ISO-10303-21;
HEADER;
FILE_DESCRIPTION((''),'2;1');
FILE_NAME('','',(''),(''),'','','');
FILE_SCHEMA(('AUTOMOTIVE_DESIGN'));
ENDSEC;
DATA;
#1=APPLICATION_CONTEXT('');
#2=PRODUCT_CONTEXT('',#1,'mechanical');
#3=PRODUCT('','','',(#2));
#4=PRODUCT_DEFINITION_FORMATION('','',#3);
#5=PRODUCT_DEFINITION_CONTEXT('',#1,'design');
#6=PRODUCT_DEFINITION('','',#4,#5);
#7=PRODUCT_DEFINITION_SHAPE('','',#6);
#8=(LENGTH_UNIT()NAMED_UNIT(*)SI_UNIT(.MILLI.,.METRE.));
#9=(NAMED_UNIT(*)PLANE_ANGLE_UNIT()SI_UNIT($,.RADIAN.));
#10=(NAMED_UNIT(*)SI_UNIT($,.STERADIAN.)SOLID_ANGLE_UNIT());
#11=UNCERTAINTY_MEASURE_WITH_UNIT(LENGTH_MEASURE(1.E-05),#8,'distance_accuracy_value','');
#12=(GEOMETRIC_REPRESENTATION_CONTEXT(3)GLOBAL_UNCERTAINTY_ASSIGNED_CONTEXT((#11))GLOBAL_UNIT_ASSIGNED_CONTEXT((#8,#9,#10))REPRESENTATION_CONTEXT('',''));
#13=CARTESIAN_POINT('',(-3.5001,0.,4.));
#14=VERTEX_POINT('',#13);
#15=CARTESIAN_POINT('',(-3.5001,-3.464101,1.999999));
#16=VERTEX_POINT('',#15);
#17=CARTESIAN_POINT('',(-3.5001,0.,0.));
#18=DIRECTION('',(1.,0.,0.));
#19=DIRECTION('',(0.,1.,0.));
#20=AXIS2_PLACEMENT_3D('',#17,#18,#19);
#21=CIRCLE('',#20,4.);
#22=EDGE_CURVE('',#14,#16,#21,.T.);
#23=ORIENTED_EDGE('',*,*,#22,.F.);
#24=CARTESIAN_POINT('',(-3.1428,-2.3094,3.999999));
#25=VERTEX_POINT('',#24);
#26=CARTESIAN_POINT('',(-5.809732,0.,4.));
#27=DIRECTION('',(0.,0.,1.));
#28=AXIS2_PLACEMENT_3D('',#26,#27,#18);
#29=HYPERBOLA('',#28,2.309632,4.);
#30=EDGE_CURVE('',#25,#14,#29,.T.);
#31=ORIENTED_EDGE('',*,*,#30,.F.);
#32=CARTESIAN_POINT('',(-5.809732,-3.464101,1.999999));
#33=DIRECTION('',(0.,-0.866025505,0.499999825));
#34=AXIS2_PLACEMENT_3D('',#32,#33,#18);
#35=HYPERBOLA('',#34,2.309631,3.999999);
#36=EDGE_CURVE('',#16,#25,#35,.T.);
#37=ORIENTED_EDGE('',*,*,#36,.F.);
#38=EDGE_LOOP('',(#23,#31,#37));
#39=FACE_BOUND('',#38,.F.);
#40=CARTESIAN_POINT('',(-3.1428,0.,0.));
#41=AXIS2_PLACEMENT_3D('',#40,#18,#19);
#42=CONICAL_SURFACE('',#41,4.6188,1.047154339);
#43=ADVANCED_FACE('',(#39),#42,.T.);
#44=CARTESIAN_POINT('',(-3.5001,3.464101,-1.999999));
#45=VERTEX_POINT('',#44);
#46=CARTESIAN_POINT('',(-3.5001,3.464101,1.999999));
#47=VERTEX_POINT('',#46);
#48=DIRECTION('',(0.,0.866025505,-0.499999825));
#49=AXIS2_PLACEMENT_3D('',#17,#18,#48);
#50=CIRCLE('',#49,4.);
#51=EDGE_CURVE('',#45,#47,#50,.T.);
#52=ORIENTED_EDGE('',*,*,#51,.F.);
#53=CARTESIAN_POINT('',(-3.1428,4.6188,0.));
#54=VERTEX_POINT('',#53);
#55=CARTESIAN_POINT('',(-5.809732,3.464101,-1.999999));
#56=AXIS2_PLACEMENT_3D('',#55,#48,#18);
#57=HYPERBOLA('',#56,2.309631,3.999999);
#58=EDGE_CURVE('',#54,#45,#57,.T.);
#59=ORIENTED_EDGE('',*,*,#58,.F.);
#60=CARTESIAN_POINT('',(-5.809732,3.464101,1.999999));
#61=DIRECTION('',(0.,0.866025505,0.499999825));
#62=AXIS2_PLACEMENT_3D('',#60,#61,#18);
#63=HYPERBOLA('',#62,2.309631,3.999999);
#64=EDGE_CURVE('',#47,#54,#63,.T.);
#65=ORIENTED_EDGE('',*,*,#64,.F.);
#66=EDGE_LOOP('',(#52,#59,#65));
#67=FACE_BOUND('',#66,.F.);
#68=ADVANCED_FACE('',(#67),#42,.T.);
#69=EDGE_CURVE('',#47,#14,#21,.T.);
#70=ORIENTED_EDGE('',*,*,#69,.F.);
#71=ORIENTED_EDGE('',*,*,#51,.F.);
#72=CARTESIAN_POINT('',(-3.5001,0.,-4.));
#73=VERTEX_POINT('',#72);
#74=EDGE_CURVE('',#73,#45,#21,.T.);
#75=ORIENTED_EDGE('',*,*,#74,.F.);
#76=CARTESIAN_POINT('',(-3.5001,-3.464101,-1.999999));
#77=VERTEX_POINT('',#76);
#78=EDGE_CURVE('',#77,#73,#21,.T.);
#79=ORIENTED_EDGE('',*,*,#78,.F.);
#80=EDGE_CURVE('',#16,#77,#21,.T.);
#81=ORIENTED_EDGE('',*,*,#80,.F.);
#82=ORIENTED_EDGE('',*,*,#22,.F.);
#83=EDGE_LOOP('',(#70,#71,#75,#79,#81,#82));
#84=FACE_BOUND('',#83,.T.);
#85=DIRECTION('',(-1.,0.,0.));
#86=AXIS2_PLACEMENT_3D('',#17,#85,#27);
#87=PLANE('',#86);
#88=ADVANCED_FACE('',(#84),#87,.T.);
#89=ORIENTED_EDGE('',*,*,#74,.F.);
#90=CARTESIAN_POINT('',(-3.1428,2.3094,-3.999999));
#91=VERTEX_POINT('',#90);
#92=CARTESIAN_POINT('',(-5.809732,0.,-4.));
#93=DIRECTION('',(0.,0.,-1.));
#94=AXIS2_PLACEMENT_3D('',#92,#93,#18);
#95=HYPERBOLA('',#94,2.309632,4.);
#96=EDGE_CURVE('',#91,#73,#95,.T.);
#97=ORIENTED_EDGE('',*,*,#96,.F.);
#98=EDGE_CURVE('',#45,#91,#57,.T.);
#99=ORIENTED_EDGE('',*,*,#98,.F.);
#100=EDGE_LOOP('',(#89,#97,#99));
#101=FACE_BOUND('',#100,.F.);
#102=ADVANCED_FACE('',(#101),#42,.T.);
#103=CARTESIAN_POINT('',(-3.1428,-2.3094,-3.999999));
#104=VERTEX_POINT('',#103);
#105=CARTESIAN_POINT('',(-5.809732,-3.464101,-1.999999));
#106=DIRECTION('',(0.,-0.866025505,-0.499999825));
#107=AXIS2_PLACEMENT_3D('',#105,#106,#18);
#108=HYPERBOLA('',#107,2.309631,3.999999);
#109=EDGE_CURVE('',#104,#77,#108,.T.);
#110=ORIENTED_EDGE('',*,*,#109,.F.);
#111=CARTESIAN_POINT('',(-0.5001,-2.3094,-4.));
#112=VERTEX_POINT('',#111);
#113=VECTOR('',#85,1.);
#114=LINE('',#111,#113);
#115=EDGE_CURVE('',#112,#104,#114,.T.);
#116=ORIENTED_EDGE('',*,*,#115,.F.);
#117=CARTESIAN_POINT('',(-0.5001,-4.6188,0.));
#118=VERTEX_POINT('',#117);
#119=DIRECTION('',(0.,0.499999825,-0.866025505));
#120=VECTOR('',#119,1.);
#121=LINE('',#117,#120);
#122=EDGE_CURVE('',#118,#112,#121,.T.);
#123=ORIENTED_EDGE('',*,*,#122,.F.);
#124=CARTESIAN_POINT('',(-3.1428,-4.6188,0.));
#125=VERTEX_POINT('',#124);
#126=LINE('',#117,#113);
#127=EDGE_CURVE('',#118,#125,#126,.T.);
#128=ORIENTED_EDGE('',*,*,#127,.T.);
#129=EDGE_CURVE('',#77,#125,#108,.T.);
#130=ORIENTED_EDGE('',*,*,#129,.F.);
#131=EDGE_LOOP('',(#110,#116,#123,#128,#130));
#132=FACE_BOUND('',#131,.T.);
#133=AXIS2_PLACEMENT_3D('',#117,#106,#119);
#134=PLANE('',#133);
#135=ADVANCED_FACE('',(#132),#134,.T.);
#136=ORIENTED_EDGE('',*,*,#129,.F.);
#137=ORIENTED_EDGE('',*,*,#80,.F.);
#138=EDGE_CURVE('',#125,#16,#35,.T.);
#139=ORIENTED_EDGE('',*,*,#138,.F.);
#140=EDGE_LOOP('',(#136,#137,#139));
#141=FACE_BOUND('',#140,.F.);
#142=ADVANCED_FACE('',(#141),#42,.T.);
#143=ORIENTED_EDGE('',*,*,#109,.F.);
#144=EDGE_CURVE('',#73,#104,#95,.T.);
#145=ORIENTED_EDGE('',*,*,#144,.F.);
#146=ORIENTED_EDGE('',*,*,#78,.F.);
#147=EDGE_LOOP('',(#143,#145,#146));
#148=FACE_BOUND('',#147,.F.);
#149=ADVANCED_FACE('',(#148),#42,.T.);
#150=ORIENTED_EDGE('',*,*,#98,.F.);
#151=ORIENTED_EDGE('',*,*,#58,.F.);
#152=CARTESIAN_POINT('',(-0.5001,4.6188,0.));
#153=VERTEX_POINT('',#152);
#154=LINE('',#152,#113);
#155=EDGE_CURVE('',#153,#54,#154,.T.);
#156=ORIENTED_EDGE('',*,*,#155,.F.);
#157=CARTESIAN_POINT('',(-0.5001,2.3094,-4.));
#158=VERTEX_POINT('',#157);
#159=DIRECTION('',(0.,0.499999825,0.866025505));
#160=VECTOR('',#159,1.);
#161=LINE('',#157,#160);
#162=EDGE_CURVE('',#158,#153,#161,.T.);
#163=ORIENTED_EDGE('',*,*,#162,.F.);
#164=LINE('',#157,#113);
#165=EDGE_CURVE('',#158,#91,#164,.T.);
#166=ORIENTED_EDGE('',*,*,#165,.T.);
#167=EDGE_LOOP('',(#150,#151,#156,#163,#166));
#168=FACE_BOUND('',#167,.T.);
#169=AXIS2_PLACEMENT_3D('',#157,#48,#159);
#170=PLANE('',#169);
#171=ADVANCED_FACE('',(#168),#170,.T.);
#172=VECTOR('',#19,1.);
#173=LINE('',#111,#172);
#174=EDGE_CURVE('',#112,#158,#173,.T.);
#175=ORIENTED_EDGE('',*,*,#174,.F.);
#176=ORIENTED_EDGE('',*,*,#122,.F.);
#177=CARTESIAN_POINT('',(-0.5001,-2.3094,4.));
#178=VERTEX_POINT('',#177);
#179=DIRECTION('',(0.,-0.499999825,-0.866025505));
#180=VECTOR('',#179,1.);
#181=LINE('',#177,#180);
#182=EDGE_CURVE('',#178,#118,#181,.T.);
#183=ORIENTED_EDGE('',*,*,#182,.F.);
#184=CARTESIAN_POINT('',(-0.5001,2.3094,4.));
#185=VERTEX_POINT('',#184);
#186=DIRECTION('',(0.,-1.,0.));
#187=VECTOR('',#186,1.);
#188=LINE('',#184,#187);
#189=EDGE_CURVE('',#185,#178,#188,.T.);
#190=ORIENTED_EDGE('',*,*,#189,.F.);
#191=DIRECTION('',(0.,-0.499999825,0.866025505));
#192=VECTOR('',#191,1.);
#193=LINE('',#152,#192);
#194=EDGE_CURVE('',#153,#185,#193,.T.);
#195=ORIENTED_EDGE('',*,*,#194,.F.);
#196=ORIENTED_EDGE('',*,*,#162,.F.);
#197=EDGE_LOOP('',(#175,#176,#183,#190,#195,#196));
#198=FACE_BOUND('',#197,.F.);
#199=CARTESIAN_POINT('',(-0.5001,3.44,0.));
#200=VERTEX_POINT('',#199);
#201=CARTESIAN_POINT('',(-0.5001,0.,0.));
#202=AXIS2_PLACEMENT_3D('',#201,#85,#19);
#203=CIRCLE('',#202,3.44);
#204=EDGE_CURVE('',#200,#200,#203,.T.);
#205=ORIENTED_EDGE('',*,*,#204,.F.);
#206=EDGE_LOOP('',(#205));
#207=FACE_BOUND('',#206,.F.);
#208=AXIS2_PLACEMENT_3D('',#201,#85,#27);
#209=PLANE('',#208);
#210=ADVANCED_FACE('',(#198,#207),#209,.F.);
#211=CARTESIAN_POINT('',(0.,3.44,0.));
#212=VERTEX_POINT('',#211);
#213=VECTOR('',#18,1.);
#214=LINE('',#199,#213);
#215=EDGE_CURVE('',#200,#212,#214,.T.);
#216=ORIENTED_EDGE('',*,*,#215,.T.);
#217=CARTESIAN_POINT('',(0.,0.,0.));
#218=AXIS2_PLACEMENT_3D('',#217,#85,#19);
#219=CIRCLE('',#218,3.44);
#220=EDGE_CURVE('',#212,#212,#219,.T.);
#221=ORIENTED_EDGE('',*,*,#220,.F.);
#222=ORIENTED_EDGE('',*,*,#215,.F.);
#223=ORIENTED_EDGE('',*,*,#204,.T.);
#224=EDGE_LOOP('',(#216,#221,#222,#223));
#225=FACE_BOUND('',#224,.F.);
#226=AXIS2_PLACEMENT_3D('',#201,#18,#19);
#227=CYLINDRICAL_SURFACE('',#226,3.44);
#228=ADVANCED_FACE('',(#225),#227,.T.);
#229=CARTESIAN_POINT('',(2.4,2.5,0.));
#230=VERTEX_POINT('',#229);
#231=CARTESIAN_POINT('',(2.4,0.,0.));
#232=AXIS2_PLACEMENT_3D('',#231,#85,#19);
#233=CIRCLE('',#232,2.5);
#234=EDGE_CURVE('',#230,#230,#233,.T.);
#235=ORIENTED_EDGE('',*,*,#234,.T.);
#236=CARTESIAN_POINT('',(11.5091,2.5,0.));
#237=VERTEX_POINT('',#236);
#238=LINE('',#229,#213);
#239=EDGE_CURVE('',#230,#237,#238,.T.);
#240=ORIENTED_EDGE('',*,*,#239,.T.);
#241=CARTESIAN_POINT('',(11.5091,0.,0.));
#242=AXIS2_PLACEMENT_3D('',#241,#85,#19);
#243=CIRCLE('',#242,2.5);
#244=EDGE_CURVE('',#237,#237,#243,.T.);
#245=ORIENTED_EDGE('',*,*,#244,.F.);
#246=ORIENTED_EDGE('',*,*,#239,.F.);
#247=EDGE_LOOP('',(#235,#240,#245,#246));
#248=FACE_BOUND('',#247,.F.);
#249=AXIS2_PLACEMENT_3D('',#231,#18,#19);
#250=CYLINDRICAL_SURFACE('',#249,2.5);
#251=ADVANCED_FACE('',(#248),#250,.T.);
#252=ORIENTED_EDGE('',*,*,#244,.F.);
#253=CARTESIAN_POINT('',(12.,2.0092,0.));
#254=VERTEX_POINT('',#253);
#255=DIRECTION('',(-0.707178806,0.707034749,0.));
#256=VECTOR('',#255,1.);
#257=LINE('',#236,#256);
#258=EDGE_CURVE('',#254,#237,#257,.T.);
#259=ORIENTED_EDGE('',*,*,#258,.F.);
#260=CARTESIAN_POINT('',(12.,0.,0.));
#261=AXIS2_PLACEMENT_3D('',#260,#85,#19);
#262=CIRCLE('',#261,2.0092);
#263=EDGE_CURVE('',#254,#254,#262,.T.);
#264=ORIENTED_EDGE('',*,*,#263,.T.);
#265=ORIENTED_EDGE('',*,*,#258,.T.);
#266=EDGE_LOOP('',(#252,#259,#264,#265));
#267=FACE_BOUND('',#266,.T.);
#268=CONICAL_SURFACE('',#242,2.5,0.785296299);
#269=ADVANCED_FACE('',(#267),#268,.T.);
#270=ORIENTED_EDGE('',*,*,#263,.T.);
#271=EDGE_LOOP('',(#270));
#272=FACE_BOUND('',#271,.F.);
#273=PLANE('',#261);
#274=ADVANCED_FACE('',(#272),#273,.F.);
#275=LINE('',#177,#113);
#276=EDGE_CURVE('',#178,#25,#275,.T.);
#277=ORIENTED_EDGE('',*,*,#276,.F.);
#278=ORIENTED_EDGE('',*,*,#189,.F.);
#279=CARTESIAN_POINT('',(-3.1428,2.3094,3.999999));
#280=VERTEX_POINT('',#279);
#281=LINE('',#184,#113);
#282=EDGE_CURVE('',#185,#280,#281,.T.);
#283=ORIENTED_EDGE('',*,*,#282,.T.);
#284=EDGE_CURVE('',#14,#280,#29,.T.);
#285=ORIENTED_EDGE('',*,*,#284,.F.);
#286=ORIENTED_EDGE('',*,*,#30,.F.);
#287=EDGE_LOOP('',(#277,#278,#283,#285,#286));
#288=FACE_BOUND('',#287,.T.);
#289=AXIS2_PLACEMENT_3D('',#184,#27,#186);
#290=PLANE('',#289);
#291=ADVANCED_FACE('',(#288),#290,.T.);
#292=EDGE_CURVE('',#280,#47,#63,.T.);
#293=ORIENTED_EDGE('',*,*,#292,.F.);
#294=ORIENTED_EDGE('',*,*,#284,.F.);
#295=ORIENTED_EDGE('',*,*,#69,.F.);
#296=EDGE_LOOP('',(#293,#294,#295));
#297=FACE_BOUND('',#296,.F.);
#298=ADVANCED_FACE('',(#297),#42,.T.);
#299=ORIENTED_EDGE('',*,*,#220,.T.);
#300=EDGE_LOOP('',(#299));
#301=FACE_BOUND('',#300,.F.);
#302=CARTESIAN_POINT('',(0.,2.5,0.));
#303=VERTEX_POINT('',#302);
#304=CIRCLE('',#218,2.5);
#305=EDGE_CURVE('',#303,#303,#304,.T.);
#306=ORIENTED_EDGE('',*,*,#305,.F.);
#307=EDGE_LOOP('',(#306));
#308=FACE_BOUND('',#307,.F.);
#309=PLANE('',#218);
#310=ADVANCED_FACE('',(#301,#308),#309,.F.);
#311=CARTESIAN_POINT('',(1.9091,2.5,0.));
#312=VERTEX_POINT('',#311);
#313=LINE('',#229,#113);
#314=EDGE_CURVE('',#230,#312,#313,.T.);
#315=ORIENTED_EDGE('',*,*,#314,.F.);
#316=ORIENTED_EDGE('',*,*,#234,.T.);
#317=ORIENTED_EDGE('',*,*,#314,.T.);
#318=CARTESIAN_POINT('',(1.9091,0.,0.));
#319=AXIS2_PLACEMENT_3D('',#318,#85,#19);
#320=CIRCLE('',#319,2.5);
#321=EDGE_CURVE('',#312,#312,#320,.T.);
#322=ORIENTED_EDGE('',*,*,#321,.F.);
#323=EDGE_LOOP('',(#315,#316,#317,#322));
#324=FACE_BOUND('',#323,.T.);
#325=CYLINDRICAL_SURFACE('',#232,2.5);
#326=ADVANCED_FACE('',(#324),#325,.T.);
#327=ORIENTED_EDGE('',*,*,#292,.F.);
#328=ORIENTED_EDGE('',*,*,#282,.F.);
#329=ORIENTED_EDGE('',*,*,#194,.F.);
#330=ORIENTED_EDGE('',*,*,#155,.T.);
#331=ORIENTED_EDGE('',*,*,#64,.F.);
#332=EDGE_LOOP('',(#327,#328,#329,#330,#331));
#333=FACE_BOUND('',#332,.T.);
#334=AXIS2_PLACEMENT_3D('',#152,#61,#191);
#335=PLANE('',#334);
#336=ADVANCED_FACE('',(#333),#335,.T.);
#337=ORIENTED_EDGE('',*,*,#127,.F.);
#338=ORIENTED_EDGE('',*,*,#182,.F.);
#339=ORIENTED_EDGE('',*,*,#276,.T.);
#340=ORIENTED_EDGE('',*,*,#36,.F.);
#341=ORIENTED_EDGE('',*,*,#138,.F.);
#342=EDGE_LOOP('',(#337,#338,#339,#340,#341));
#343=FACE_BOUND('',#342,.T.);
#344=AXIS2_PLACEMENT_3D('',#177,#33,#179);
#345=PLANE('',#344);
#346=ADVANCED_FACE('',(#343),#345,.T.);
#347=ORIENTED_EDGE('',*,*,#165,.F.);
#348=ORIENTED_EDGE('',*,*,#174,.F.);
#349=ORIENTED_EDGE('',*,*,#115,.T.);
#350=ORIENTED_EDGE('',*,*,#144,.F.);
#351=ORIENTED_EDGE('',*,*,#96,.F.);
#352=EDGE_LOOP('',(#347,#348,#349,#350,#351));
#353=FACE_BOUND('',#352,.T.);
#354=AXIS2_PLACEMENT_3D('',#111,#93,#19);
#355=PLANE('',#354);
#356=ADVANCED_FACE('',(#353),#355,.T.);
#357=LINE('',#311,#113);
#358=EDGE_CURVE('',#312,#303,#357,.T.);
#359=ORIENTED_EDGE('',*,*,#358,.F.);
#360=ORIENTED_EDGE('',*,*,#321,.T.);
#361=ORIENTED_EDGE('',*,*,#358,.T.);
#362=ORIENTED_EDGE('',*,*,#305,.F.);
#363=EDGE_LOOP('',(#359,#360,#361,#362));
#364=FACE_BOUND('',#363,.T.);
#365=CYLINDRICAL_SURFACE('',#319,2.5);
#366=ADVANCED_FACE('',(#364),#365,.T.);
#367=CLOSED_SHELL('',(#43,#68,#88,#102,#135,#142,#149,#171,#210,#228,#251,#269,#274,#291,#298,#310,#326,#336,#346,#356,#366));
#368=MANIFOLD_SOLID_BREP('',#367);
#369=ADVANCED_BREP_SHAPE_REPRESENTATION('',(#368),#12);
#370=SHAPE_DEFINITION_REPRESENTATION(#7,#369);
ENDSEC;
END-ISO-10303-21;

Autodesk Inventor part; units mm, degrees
ref_plane "YZ Plane" through (0, 0, 0) normal (1, 0, 0) x (0, 1, 0)
ref_plane "XZ Plane" through (0, 0, 0) normal (0, 1, 0) x (-1, 0, 0)
sketch "Sketch1" plane through (0, 0, 0) normal (0, 0, 1) x (1, 0, 0)
  line L0 (0, 3.44) -> (0, 2.5)
  line L1 (2.4, 2.5) -> (12, 2.5)
  line L2 (12, 2.5) -> (12, 0)
  line L3 (12, 0) -> (-0.5001, 0)
  line L4 (-3.0001, 0) -> (14.5, 0) projected
  line L5 (-0.5001, 0) -> (-0.5001, 3.44)
  line L6 (-0.5001, 3.44) -> (0, 3.44)
  line L7 (2.4, 2.5) -> (1.9091, 2.5)
  line L8 (1.9091, 2.5) -> (0, 2.5)
  line L9 (0, -0.688) -> (0, 4.128) projected
  dimension "d0" = 12
  dimension "d1" = 9.6
  dimension "d2" = 5
  dimension "d9" = 0.5001
  dimension "d10" = 6.88
  dimension "d13" = 0.4909
  dimension "d14" = 5
revolve "Body" add sketch "Sketch1" angle 360 about axis through (12, 0, 0) along (-1, 0, 0)
sketch "Sketch2" plane through (-0.5001, 0, 0) normal (-1, 0, 0) x (0, 0, 1)
  line L0 (0, 4.6188) -> (4, 2.3094)
  line L1 (4, 2.3094) -> (4, -2.3094)
  line L2 (4, -2.3094) -> (0, -4.6188)
  line L3 (0, -4.6188) -> (-4, -2.3094)
  line L4 (-4, -2.3094) -> (-4, 2.3094)
  line L5 (-4, 2.3094) -> (0, 4.6188)
  point P0 (0, 0)
  point P1 (0, 0)
  dimension "d11" = 8
extrude "Head" add sketch "Sketch2" along normal blind 3
sketch "Sketch4" plane through (0, 0, 0) normal (0, 0, 1) x (1, 0, 0)
  line L0 (-3.5001, 4) -> (-3.5001, 4.6188)
  line L1 (-3.5001, 4.6188) -> (-3.1428, 4.6188)
  line L2 (-3.1428, 4.6188) -> (-3.5001, 4)
  line L3 (-4.1001, 0) -> (0.0999, 0) projected
  line L4 (-0.5001, 4.6188) -> (-3.5001, 4.6188) projected
  line L5 (-3.5001, 2.3094) -> (-3.5001, 4.6188) projected
  dimension "d5" = 30
  dimension "d19" = 8
revolve "Chamfer1" cut sketch "Sketch4" angle 360 about axis through (-10, 0, 0) along (1, 0, 0)
thread "Thread" size "M5x0.8" class "6g" standard "ISO Metric profile" length 9.6
chamfer "Chamfer2" distance 0.4908 distance2 0.4909 1 edges at (12, -2.5, 0) measured on face at (12, -0.7379, 0.3873)
ref_plane "Work Plane1" through (1.525, 0, 0) normal (0, 0, 1) x (1, 0, 0)
equation "\"d0\" = NLG"
equation "\"d1\" = GEL"
equation "\"d2\" = GD"
equation "\"d10\" = SD2"
equation "\"d14\" = BDM"
equation "\"d11\" = SW"
equation "\"d3\" = KOH - SD"
equation "\"d5\" = ANG1"
equation "\"d19\" = SW0"
equation "\"d15\" = GEL"
equation "\"d6\" = -0.5 * SPD + 0.5 * GD"
equation "\"NLG\" = 12"
equation "\"GD\" = NND"
equation "\"BDM\" = NND"
equation "\"KOH\" = 3.5"
equation "\"GEL\" = 9.6"
equation "\"SW\" = 8"
equation "\"SW0\" = SW"
equation "\"SPD\" = NND - 1.2269 * PTC"
equation "\"SD2\" = 6.88"
equation "\"SD\" = 0.5"
equation "\"ANG1\" = 30deg"
equation "\"GAL\" = 0.61345 * PTC"
equation "\"GUL\" = 0.61345 * PTC"
equation "\"RR\" = 0.2"
equation "\"GD1\" = THREADDIA - 1.2269 * PTC"
equation "\"THREADDIA\" = 5"
equation "\"SDH\" = SD2"
equation "\"SDHG\" = 2.4"
equation "\"TOA\" = 30deg"
equation "\"PTC\" = 0.8"
equation "\"NND\" = 5"
equation "\"E0\" = 9.24"
properties part number "ISO 4017 - M5 x 12" material "Steel, Mild"
